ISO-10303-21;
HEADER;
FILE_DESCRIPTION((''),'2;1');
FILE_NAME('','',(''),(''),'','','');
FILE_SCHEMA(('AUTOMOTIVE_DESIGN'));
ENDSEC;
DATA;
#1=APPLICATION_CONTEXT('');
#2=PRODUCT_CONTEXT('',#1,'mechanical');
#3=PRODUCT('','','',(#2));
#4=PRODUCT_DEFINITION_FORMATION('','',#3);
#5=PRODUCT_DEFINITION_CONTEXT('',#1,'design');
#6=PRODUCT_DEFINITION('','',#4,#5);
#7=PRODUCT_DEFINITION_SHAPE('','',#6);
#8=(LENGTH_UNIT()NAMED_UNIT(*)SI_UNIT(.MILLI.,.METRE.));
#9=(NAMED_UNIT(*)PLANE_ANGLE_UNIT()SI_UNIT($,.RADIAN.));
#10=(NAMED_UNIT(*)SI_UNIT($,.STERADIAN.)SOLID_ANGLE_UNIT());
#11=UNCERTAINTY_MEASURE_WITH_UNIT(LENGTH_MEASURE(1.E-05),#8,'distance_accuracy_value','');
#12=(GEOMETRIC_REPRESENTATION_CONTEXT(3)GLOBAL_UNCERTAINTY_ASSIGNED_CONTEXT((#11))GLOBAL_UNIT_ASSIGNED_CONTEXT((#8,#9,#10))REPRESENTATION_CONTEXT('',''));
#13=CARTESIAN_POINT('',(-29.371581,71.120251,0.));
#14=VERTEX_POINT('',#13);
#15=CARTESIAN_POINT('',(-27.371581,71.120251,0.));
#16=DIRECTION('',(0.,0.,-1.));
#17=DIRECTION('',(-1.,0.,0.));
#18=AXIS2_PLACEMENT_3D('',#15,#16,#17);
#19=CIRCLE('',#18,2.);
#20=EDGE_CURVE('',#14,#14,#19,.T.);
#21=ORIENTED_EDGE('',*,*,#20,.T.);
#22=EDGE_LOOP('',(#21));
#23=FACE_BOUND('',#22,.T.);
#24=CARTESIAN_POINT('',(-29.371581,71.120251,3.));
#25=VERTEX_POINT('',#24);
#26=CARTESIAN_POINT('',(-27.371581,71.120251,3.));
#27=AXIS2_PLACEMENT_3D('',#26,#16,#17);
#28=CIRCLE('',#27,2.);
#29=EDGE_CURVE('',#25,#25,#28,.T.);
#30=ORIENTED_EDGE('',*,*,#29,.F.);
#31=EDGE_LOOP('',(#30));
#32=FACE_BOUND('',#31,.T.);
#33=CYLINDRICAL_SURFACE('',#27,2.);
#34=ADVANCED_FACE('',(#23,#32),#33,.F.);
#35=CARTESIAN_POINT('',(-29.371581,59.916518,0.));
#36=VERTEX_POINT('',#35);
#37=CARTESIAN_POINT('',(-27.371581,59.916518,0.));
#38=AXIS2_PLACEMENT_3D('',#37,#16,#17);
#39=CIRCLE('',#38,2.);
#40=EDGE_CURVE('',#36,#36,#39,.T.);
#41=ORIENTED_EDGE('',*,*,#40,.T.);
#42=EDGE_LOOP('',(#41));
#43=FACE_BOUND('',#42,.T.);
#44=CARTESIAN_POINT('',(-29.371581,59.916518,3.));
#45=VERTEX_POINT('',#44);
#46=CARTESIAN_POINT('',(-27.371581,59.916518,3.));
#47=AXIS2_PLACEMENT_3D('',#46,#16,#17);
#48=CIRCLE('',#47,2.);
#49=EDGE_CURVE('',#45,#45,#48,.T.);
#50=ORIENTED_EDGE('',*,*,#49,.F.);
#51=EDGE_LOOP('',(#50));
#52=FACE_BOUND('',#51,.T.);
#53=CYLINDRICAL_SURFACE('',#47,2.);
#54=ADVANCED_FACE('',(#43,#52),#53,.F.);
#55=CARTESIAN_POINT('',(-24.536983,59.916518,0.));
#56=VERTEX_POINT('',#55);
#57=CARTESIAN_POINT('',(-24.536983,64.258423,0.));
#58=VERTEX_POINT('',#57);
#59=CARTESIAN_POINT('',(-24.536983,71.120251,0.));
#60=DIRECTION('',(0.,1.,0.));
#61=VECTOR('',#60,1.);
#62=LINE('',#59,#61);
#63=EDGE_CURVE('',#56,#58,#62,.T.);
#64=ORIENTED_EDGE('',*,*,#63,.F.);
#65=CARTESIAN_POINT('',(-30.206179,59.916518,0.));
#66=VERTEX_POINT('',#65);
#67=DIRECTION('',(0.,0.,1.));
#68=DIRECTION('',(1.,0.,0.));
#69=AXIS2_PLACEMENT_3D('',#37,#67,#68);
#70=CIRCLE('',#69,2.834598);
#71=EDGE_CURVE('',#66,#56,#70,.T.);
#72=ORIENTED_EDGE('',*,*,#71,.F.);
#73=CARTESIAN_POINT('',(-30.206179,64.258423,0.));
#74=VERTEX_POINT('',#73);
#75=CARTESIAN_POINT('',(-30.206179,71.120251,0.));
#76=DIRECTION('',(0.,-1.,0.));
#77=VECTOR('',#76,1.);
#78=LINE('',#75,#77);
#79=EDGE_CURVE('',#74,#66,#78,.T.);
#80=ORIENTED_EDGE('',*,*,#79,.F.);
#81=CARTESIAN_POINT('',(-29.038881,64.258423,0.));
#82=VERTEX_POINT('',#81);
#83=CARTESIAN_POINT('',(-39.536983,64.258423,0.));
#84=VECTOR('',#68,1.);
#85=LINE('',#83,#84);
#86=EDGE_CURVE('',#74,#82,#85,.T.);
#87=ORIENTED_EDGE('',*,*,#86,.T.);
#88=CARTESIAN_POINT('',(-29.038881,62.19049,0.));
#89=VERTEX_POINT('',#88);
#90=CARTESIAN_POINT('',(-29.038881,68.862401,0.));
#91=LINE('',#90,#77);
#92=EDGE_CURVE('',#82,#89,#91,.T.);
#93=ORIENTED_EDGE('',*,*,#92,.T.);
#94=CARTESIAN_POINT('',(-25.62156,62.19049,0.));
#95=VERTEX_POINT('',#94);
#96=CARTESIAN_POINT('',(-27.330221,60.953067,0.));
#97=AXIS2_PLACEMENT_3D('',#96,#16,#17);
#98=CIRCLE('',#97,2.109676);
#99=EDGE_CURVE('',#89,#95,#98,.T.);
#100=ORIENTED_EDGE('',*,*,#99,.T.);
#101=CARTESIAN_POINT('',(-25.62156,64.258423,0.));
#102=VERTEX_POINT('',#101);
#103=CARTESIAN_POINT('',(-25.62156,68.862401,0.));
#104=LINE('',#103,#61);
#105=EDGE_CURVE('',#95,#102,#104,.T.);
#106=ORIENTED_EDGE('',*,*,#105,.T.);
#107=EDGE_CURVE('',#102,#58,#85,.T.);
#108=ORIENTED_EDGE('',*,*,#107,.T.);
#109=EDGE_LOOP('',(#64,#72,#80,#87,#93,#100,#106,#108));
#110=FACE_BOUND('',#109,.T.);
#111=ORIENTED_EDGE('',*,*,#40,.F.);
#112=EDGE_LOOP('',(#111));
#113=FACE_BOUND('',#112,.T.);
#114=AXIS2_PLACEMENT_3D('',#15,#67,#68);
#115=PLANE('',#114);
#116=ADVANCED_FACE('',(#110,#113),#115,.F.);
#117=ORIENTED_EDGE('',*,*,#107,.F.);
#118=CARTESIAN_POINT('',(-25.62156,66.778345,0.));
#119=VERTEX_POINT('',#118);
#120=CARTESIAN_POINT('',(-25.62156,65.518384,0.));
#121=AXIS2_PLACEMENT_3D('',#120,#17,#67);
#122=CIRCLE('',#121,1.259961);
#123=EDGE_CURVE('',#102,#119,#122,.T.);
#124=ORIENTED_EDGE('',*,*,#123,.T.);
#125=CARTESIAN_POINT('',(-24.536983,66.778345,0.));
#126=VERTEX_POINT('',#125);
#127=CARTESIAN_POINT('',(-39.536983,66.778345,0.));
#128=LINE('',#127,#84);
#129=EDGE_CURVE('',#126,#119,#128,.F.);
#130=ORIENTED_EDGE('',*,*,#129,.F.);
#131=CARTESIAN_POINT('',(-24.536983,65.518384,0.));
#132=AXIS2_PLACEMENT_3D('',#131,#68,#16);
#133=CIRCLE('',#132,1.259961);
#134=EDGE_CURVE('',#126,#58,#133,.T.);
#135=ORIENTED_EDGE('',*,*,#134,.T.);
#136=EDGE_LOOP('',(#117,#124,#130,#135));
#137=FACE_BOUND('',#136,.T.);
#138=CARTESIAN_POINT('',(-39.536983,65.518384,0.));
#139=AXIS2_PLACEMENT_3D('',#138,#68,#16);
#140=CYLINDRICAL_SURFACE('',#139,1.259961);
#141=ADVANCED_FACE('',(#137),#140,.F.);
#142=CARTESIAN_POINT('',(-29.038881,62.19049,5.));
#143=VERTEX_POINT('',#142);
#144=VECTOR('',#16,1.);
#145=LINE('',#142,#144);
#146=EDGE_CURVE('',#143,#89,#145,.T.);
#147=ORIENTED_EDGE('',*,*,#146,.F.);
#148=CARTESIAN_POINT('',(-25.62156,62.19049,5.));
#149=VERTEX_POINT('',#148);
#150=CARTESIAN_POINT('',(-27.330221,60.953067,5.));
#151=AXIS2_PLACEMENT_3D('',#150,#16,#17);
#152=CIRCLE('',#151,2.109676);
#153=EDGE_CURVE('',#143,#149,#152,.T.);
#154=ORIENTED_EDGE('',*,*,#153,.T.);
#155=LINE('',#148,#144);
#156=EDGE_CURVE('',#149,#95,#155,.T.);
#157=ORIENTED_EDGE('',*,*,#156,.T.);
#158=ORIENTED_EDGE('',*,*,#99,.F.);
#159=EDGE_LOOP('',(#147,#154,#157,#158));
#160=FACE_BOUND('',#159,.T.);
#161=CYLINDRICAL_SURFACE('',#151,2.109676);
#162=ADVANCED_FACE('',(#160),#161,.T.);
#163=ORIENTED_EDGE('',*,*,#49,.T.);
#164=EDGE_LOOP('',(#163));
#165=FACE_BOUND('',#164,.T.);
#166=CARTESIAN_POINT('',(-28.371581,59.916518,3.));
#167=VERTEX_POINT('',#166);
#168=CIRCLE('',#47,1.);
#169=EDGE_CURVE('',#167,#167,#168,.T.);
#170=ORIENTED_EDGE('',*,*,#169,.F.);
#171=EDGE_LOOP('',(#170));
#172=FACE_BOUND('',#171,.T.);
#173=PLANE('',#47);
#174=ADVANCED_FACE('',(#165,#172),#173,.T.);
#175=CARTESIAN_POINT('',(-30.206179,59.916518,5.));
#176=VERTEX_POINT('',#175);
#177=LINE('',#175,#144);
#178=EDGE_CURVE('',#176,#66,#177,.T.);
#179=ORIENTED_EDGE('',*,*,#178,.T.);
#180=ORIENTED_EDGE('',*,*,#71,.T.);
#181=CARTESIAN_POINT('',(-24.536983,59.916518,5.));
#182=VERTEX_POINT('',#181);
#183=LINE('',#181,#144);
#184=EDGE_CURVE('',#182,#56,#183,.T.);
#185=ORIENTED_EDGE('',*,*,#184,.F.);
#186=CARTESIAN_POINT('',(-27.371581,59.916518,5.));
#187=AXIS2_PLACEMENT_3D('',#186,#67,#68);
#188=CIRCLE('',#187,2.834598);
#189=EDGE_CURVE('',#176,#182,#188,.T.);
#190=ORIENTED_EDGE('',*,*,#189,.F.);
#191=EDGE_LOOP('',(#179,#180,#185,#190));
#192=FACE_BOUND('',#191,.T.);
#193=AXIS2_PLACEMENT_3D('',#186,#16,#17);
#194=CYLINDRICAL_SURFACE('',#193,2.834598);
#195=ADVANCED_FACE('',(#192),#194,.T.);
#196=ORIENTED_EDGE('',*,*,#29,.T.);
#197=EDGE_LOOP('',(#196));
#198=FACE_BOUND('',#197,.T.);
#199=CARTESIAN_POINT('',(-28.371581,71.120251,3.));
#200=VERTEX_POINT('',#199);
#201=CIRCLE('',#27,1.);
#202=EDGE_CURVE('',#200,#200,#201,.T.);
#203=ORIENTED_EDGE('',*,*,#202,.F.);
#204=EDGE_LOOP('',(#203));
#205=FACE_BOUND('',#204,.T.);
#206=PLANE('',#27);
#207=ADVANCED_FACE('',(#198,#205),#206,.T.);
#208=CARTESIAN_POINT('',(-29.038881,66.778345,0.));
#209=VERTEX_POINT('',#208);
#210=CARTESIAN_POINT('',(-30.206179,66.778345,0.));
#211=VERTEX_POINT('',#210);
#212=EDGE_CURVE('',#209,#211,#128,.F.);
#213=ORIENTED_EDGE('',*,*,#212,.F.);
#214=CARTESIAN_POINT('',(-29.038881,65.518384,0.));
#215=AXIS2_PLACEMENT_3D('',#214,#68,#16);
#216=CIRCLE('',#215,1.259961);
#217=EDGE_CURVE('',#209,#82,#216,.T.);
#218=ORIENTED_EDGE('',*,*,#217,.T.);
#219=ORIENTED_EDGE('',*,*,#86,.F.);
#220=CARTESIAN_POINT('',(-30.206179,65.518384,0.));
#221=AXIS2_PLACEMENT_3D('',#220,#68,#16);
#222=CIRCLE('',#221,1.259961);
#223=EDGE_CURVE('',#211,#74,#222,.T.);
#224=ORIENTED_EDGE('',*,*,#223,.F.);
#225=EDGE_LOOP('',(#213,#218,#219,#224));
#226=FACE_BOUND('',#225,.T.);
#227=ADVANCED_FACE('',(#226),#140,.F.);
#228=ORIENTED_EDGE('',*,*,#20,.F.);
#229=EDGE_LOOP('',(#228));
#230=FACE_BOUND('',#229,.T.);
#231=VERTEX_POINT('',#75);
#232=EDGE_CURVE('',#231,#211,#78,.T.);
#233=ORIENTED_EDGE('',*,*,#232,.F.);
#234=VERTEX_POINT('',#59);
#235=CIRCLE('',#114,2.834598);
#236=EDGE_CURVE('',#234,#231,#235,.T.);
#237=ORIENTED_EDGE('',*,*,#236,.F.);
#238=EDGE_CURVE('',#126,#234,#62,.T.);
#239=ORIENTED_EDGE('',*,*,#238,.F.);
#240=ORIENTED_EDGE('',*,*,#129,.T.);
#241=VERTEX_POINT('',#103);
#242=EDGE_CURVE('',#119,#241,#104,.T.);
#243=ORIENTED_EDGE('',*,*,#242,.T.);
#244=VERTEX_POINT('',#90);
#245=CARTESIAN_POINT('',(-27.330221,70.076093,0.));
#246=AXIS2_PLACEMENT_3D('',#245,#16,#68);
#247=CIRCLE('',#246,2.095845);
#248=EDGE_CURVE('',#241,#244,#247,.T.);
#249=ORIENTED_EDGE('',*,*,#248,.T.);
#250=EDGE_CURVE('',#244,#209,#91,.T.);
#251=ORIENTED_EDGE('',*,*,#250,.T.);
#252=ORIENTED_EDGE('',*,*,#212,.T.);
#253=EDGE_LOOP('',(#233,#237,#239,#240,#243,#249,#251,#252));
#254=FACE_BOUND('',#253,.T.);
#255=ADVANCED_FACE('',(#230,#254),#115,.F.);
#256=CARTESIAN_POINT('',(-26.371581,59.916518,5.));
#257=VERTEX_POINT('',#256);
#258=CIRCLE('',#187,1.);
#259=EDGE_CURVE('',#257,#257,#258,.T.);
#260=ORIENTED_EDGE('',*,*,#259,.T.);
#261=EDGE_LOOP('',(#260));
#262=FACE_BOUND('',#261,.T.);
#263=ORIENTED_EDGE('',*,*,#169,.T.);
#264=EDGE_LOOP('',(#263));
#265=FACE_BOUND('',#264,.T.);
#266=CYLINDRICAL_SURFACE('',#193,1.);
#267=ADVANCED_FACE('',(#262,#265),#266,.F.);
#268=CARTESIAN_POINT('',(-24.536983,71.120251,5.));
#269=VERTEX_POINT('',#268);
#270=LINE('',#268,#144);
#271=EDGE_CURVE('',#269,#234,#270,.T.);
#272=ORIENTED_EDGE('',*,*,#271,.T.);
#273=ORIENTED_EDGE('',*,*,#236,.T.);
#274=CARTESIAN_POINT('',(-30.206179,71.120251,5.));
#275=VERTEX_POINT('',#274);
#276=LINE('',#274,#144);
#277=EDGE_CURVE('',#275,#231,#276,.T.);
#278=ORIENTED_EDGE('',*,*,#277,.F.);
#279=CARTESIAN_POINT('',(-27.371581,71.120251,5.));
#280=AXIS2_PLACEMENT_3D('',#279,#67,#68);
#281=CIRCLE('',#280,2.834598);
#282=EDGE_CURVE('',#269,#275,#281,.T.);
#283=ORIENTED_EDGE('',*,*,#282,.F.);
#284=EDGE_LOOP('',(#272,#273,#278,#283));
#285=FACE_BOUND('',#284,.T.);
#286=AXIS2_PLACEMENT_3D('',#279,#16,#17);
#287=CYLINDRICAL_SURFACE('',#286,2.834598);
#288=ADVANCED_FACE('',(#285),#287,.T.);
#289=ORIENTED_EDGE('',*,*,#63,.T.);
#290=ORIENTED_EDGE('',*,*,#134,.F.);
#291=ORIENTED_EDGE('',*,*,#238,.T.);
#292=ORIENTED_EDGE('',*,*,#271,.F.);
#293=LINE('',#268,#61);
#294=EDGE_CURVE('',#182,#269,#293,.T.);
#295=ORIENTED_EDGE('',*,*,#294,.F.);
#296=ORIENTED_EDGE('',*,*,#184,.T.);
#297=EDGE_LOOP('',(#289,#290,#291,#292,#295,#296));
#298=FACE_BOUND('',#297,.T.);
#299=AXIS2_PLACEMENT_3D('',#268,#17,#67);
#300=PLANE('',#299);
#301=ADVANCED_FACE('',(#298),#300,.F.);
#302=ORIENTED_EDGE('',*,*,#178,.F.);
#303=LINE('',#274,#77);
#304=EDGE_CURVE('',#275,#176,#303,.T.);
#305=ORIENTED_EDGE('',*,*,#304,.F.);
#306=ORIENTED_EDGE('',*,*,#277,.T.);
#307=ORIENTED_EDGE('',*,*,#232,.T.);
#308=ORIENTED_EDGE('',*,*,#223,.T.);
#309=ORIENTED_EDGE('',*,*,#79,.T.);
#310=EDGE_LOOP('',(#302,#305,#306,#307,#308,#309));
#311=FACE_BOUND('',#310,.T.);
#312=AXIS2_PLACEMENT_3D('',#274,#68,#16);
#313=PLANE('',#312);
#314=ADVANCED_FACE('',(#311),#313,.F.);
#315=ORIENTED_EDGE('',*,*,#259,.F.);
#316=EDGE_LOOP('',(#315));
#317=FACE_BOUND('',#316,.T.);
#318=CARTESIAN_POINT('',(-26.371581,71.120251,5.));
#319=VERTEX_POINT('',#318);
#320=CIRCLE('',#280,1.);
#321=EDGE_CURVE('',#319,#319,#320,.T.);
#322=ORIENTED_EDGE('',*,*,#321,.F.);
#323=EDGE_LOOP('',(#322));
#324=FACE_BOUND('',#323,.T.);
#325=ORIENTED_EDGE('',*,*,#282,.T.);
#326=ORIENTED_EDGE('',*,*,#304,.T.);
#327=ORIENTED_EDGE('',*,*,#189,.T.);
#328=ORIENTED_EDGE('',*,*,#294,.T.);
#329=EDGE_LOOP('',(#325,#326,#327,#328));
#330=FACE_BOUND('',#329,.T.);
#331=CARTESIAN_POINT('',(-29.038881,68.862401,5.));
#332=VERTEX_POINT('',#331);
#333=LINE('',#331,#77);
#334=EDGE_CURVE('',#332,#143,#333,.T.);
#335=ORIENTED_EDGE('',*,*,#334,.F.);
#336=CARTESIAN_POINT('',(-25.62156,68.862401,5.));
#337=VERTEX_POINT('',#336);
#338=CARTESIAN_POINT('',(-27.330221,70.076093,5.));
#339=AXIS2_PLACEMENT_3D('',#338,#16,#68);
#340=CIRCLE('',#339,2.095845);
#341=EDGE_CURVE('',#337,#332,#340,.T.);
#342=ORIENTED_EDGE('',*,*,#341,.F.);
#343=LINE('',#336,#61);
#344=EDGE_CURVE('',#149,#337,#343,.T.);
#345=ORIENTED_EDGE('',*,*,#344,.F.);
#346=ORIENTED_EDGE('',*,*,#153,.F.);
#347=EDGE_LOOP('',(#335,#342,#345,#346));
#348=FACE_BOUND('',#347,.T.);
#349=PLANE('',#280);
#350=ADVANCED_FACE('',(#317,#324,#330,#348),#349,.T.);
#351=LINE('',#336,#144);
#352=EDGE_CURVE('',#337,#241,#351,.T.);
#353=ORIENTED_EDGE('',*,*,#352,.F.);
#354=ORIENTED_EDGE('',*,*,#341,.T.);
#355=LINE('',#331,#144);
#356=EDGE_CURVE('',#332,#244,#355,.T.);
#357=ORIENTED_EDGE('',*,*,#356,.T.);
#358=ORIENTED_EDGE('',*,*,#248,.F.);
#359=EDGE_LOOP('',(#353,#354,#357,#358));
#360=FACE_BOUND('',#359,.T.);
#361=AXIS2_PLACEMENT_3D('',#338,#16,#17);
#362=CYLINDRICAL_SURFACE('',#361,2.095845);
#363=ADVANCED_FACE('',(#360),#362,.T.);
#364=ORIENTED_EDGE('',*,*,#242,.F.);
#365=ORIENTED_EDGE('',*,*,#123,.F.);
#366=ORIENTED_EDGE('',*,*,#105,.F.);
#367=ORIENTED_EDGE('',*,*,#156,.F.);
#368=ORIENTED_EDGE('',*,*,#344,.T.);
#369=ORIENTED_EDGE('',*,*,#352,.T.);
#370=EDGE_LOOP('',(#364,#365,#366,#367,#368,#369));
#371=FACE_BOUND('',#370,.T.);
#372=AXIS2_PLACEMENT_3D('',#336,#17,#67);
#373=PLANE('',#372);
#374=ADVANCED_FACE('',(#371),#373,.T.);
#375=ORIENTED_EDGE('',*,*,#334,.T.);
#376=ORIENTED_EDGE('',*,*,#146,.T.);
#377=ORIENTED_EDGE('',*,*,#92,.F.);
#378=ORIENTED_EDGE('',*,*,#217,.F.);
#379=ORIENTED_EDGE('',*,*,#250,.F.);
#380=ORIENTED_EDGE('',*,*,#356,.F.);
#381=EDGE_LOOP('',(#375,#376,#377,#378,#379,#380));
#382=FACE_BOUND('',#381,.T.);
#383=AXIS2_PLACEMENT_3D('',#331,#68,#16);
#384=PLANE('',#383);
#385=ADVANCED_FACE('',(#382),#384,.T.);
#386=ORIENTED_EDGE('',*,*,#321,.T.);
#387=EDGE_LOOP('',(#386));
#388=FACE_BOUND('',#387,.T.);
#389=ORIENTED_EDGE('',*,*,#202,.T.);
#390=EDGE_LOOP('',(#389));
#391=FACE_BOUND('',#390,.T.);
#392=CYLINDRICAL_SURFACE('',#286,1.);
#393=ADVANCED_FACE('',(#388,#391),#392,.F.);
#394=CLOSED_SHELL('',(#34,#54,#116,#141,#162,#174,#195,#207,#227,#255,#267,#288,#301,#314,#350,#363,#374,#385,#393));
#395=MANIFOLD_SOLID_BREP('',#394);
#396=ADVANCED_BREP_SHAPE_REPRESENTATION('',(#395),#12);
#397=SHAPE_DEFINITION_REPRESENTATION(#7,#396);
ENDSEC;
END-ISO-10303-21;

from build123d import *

# Parameters (mm, degrees)
ESQUISSE1_R             = 1
EXTRUSION1_DEPTH        = 5
ESQUISSE2_R             = 1.259960856
ENL_V_MAT_EXTRU_1_DEPTH = 15
ESQUISSE3_R             = 2
ENL_V_MAT_EXTRU_2_DEPTH = 3


with BuildPart() as part:
    # Esquisse1 → Extrusion1 (new body)
    with BuildSketch(Plane.XY):
        with BuildLine():
            Line((-30.206178794, 71.120250568), (-30.206178794, 59.916517686))
            ThreePointArc((-30.206178794, 59.916517686), (-27.371580774, 57.081919667), (-24.536982754, 59.916517686))
            Line((-24.536982754, 59.916517686), (-24.536982754, 71.120250568))
            ThreePointArc((-24.536982754, 71.120250568), (-27.371580774, 73.954848588), (-30.206178794, 71.120250568))
        make_face()
        with Locations((-27.371580774, 59.916517686)):
            Circle(ESQUISSE1_R, mode=Mode.SUBTRACT)
        with Locations((-27.371580774, 71.120250568)):
            Circle(ESQUISSE1_R, mode=Mode.SUBTRACT)
        with BuildLine():
            Line((-29.038880927, 68.862401416), (-29.038880927, 62.190489948))
            ThreePointArc((-29.038880927, 62.190489948), (-27.330220673, 63.062743756), (-25.621560419, 62.190489948))
            Line((-25.621560419, 62.190489948), (-25.621560419, 68.862401416))
            ThreePointArc((-25.621560419, 68.862401416), (-27.330220673, 67.980247638), (-29.038880927, 68.862401416))
        make_face(mode=Mode.SUBTRACT)
    extrude(amount=EXTRUSION1_DEPTH)

    # Esquisse2 → Enlèv. mat.-Extru.1 (cut)
    with BuildSketch(Plane(origin=(-24.536982754, 0, 0), x_dir=(0, 0, -1), z_dir=(1, 0, 0))):
        with Locations((0, 65.518384127)):
            Circle(ESQUISSE2_R)
    extrude(amount=-ENL_V_MAT_EXTRU_1_DEPTH, mode=Mode.SUBTRACT)

    # Esquisse3 → Enlèv. mat.-Extru.2 (cut)
    with BuildSketch(Plane(origin=(0, 0, 0), x_dir=(-1, 0, 0), z_dir=(0, 0, -1))):
        with Locations((27.371580774, 71.120250568)):
            Circle(ESQUISSE3_R)
        with Locations((27.371580774, 59.916517686)):
            Circle(ESQUISSE3_R)
    extrude(amount=-ENL_V_MAT_EXTRU_2_DEPTH, mode=Mode.SUBTRACT)


solid = part.part
